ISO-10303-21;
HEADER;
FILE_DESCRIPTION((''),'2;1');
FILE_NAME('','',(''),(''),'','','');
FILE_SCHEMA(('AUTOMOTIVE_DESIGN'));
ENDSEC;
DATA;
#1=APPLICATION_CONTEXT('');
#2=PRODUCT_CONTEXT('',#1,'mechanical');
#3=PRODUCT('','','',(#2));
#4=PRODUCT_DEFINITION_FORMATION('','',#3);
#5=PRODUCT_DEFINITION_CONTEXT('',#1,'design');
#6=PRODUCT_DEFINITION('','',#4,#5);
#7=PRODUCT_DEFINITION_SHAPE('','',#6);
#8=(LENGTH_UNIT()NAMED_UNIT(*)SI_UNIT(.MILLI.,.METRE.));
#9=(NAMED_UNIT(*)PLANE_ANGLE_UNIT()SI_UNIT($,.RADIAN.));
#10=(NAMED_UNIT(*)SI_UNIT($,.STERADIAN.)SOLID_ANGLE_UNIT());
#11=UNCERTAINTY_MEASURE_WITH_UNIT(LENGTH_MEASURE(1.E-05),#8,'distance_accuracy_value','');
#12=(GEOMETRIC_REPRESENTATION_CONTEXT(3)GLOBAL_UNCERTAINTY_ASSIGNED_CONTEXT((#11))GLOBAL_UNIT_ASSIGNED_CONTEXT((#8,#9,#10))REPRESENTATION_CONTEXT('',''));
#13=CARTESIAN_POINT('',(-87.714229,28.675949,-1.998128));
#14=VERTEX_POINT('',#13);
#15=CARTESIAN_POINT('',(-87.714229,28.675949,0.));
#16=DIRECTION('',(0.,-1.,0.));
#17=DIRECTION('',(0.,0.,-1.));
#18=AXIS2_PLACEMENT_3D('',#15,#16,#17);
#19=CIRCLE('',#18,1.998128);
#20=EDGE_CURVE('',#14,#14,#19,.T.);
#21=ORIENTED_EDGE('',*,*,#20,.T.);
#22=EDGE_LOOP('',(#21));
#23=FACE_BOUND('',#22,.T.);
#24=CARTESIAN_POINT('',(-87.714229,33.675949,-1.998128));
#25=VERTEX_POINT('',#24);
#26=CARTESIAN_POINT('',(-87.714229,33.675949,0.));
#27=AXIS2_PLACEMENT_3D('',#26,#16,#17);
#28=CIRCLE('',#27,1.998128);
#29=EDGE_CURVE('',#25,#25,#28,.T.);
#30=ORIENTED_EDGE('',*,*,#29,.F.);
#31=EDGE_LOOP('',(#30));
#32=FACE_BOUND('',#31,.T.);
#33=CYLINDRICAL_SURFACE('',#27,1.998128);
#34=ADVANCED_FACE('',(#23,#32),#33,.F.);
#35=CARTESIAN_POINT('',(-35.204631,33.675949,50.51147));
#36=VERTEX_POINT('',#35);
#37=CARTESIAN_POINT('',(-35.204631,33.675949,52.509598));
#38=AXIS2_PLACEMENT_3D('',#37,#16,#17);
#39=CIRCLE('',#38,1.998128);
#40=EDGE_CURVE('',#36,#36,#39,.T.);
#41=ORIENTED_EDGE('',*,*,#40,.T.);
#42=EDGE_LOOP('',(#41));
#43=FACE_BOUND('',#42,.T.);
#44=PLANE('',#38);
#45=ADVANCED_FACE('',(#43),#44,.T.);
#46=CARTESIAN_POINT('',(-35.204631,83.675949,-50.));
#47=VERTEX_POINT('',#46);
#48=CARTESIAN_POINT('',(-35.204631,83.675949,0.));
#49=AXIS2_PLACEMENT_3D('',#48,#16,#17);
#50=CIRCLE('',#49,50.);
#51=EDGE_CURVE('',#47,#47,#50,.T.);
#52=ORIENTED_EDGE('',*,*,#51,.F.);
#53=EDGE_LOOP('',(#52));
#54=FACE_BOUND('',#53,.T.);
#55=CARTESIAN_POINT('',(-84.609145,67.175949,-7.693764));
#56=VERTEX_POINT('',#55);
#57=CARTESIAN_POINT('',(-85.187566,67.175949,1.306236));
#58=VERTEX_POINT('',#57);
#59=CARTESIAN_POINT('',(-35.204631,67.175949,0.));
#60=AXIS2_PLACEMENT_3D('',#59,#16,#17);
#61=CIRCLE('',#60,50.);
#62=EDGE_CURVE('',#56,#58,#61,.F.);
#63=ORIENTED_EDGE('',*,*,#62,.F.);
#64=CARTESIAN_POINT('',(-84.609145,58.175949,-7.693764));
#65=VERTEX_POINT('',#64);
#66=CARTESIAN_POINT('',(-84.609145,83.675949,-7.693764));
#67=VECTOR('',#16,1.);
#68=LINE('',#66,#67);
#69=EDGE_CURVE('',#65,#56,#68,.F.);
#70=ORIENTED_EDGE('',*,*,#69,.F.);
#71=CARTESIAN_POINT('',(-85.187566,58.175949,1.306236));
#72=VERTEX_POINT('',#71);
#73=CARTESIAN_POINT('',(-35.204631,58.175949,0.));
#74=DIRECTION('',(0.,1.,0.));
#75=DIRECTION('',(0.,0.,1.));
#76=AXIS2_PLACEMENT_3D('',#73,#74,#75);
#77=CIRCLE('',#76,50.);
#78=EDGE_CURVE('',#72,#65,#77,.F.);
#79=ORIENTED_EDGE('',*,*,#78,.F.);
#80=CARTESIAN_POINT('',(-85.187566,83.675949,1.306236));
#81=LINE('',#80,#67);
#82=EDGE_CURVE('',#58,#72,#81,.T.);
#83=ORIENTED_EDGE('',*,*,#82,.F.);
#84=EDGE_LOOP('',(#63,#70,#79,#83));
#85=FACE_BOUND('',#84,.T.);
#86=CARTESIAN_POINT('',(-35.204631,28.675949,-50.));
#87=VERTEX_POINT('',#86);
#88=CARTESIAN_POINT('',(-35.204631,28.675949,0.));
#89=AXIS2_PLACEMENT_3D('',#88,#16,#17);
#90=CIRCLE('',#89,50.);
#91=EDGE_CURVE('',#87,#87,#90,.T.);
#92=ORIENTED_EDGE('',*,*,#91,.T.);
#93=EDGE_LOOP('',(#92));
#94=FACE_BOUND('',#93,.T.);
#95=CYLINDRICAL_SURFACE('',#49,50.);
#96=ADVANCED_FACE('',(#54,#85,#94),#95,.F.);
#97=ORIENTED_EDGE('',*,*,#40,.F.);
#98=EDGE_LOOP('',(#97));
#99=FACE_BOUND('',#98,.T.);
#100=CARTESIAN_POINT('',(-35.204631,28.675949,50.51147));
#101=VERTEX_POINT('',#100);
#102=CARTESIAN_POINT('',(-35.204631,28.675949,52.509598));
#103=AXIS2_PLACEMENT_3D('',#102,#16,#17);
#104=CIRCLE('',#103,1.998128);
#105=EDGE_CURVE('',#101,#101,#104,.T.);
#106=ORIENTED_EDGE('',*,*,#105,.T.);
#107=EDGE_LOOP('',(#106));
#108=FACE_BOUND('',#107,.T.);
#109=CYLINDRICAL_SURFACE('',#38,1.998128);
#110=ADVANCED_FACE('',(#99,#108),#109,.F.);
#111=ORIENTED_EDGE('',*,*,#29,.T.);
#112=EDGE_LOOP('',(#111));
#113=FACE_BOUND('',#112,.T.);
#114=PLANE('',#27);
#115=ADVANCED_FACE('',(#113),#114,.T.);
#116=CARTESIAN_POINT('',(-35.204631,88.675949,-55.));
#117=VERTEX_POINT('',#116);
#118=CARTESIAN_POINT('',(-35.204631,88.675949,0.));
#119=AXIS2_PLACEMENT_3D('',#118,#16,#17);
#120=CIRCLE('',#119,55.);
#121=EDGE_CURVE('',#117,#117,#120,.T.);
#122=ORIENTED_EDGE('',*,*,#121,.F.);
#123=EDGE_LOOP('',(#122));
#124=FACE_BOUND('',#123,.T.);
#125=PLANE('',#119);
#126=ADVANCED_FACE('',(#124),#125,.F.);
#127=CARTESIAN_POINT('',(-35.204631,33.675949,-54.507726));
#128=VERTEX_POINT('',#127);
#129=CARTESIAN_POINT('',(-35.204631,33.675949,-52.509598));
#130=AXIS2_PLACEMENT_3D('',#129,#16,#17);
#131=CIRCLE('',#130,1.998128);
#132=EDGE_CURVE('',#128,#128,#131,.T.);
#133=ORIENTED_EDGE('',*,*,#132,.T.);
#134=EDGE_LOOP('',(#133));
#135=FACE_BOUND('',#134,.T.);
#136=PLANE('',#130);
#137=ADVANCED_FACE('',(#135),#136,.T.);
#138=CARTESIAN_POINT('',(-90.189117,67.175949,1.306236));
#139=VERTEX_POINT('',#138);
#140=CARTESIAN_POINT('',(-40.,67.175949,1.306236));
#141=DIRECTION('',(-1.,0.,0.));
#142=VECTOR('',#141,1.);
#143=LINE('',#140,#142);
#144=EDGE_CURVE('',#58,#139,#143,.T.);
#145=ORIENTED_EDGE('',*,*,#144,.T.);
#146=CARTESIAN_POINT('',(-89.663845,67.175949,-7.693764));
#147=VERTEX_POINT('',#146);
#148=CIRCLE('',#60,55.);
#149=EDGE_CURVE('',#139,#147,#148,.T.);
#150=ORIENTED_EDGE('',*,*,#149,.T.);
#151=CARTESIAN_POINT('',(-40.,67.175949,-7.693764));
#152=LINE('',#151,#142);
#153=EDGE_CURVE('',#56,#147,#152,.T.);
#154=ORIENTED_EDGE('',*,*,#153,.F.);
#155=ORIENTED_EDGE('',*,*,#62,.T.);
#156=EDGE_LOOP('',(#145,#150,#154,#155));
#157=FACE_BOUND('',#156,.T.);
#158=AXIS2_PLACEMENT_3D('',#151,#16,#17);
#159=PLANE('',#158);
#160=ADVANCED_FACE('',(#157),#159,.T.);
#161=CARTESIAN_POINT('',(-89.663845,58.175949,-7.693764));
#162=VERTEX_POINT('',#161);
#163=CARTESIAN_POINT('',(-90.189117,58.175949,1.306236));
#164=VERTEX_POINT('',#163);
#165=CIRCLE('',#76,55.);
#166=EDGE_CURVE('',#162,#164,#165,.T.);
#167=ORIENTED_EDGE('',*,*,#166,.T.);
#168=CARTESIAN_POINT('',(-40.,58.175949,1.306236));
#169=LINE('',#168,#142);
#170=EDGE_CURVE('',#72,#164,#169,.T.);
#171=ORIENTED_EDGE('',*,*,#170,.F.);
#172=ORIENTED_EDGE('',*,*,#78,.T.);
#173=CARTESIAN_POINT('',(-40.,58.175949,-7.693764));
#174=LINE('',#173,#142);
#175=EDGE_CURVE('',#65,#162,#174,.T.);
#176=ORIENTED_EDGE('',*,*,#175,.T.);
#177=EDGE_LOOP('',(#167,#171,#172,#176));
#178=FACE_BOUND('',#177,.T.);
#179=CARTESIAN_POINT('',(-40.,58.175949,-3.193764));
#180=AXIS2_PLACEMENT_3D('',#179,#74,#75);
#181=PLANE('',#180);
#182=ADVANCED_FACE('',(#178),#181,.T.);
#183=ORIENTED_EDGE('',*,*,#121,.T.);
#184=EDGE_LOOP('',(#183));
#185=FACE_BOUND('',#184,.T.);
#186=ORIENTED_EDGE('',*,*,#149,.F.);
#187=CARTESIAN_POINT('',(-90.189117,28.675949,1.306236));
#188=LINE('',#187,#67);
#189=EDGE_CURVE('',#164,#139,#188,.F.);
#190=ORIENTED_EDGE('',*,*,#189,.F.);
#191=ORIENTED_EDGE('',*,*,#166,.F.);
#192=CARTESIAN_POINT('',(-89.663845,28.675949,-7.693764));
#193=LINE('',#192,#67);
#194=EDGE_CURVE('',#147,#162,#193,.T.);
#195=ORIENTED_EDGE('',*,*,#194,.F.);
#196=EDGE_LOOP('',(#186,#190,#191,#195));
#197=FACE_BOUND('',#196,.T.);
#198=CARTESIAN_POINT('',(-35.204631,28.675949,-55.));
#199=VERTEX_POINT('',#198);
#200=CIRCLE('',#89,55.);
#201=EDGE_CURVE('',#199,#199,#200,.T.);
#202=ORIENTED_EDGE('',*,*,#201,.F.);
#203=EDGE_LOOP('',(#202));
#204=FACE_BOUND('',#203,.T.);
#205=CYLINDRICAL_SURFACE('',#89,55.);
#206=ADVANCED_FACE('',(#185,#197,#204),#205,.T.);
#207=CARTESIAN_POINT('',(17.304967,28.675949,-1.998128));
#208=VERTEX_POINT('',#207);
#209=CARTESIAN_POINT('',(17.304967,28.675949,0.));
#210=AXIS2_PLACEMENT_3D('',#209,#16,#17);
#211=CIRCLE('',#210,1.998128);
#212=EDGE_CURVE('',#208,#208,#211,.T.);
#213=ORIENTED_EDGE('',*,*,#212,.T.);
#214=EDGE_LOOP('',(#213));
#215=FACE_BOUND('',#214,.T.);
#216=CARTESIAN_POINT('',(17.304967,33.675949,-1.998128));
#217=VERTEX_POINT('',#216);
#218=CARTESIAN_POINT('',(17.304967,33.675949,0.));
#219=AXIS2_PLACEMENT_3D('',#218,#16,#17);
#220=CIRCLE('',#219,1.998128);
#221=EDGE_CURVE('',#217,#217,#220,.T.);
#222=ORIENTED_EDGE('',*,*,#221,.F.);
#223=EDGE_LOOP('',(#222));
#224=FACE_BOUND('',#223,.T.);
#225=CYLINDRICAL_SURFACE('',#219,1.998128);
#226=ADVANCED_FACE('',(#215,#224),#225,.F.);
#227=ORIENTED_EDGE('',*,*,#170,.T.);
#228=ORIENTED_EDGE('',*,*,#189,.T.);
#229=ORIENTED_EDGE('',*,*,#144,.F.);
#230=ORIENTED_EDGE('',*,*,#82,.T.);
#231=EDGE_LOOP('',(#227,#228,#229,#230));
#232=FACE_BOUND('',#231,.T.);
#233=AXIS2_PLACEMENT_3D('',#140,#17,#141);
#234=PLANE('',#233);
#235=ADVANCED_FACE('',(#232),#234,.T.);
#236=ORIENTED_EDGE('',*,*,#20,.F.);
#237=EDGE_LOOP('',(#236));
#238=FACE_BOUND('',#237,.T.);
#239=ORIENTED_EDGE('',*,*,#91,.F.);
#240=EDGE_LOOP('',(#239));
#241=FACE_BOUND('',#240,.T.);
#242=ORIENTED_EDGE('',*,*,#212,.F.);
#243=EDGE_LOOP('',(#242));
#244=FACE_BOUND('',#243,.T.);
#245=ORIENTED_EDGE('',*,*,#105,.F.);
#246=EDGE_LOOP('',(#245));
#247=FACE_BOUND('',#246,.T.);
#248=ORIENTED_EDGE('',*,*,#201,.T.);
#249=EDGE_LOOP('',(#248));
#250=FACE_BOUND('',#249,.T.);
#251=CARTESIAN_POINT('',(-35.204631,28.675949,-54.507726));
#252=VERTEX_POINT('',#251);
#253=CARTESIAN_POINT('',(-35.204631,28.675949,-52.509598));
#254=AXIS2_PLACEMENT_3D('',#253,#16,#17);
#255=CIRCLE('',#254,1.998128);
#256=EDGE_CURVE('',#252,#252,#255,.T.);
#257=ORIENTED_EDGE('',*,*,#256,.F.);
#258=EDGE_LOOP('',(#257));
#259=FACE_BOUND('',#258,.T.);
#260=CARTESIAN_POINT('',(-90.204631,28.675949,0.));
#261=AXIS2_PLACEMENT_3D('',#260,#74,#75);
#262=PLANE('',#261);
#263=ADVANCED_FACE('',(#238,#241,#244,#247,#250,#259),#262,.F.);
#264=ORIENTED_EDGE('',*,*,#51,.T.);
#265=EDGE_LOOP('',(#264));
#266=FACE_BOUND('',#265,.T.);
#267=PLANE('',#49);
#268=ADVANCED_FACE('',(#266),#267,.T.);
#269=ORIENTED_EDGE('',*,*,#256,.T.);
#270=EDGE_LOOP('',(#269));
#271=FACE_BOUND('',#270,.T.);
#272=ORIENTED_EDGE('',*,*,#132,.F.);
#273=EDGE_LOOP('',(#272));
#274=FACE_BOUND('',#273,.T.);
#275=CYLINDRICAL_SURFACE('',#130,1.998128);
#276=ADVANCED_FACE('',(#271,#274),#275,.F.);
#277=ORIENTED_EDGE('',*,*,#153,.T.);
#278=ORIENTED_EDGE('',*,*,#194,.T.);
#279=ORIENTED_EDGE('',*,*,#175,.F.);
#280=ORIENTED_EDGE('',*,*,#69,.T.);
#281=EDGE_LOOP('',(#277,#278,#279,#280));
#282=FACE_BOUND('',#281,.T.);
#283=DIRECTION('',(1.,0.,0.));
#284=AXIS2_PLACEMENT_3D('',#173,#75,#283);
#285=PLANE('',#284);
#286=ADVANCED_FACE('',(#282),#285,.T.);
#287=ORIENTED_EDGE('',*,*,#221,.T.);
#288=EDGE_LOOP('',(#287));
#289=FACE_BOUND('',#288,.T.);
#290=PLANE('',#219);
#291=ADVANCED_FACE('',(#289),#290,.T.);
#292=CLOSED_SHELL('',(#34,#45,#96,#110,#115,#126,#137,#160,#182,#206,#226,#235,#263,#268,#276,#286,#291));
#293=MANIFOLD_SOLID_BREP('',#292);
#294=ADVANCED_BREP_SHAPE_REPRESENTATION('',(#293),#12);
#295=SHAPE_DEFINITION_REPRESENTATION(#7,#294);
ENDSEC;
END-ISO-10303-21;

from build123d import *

# Parameters (mm, degrees)
SKETCH2_W          = 55
SKETCH2_H          = 60
SKETCH3_R          = 50
CUT_EXTRUDE1_DEPTH = 55
CUT_EXTRUDE2_DEPTH = 55
SKETCH6_R          = 1.998127765
CUT_EXTRUDE3_DEPTH = 5


with BuildPart() as part:
    # Sketch2 → Revolve1 (revolve)
    with BuildSketch(Plane.XY, mode=Mode.PRIVATE) as revolve1_sk:
        with Locations((-62.704631046, 58.675948718)):
            Rectangle(SKETCH2_W, SKETCH2_H)
    revolve(revolve1_sk.sketch.rotate(Axis((-35.204631046, 28.675948718, 0), (0, 1, 0)), 270), axis=Axis((-35.204631046, 28.675948718, 0), (0, 1, 0)))

    # Sketch3 → Cut-Extrude1 (cut)
    with BuildSketch(Plane.XZ.offset(-28.675948718)):
        with Locations(Location((-35.204631046, 0, 0), (0, 0, 270))):
            Circle(SKETCH3_R)
    extrude(amount=-CUT_EXTRUDE1_DEPTH, mode=Mode.SUBTRACT)

    # Sketch5 → Cut-Extrude2 (cut)
    with BuildSketch(Plane(origin=(-95, 0, 0), x_dir=(0, 0, -1), z_dir=(1, 0, 0))):
        Polygon((3.193764138, 58.175948718), (7.693764138, 58.175948718), (7.693764138, 67.175948718), (-1.306235862, 67.175948718), (-1.306235862, 58.175948718), align=None)
    extrude(amount=CUT_EXTRUDE2_DEPTH, mode=Mode.SUBTRACT)

    # Sketch6 → Cut-Extrude3 (cut)
    with BuildSketch(Plane(origin=(0, 28.675948718, 0), x_dir=(-1, 0, 0), z_dir=(0, -1, 0))):
        with Locations(Location((35.204631046, -52.509597986, 0), (0, 0, 90))):
            Circle(SKETCH6_R)
        with Locations(Location((-17.304966941, 0, 0), (0, 0, 90))):
            Circle(SKETCH6_R)
        with Locations(Location((35.204631046, 52.509597986, 0), (0, 0, 90))):
            Circle(SKETCH6_R)
        with Locations(Location((87.714229032, 0, 0), (0, 0, 90))):
            Circle(SKETCH6_R)
    extrude(amount=-CUT_EXTRUDE3_DEPTH, mode=Mode.SUBTRACT)


solid = part.part
